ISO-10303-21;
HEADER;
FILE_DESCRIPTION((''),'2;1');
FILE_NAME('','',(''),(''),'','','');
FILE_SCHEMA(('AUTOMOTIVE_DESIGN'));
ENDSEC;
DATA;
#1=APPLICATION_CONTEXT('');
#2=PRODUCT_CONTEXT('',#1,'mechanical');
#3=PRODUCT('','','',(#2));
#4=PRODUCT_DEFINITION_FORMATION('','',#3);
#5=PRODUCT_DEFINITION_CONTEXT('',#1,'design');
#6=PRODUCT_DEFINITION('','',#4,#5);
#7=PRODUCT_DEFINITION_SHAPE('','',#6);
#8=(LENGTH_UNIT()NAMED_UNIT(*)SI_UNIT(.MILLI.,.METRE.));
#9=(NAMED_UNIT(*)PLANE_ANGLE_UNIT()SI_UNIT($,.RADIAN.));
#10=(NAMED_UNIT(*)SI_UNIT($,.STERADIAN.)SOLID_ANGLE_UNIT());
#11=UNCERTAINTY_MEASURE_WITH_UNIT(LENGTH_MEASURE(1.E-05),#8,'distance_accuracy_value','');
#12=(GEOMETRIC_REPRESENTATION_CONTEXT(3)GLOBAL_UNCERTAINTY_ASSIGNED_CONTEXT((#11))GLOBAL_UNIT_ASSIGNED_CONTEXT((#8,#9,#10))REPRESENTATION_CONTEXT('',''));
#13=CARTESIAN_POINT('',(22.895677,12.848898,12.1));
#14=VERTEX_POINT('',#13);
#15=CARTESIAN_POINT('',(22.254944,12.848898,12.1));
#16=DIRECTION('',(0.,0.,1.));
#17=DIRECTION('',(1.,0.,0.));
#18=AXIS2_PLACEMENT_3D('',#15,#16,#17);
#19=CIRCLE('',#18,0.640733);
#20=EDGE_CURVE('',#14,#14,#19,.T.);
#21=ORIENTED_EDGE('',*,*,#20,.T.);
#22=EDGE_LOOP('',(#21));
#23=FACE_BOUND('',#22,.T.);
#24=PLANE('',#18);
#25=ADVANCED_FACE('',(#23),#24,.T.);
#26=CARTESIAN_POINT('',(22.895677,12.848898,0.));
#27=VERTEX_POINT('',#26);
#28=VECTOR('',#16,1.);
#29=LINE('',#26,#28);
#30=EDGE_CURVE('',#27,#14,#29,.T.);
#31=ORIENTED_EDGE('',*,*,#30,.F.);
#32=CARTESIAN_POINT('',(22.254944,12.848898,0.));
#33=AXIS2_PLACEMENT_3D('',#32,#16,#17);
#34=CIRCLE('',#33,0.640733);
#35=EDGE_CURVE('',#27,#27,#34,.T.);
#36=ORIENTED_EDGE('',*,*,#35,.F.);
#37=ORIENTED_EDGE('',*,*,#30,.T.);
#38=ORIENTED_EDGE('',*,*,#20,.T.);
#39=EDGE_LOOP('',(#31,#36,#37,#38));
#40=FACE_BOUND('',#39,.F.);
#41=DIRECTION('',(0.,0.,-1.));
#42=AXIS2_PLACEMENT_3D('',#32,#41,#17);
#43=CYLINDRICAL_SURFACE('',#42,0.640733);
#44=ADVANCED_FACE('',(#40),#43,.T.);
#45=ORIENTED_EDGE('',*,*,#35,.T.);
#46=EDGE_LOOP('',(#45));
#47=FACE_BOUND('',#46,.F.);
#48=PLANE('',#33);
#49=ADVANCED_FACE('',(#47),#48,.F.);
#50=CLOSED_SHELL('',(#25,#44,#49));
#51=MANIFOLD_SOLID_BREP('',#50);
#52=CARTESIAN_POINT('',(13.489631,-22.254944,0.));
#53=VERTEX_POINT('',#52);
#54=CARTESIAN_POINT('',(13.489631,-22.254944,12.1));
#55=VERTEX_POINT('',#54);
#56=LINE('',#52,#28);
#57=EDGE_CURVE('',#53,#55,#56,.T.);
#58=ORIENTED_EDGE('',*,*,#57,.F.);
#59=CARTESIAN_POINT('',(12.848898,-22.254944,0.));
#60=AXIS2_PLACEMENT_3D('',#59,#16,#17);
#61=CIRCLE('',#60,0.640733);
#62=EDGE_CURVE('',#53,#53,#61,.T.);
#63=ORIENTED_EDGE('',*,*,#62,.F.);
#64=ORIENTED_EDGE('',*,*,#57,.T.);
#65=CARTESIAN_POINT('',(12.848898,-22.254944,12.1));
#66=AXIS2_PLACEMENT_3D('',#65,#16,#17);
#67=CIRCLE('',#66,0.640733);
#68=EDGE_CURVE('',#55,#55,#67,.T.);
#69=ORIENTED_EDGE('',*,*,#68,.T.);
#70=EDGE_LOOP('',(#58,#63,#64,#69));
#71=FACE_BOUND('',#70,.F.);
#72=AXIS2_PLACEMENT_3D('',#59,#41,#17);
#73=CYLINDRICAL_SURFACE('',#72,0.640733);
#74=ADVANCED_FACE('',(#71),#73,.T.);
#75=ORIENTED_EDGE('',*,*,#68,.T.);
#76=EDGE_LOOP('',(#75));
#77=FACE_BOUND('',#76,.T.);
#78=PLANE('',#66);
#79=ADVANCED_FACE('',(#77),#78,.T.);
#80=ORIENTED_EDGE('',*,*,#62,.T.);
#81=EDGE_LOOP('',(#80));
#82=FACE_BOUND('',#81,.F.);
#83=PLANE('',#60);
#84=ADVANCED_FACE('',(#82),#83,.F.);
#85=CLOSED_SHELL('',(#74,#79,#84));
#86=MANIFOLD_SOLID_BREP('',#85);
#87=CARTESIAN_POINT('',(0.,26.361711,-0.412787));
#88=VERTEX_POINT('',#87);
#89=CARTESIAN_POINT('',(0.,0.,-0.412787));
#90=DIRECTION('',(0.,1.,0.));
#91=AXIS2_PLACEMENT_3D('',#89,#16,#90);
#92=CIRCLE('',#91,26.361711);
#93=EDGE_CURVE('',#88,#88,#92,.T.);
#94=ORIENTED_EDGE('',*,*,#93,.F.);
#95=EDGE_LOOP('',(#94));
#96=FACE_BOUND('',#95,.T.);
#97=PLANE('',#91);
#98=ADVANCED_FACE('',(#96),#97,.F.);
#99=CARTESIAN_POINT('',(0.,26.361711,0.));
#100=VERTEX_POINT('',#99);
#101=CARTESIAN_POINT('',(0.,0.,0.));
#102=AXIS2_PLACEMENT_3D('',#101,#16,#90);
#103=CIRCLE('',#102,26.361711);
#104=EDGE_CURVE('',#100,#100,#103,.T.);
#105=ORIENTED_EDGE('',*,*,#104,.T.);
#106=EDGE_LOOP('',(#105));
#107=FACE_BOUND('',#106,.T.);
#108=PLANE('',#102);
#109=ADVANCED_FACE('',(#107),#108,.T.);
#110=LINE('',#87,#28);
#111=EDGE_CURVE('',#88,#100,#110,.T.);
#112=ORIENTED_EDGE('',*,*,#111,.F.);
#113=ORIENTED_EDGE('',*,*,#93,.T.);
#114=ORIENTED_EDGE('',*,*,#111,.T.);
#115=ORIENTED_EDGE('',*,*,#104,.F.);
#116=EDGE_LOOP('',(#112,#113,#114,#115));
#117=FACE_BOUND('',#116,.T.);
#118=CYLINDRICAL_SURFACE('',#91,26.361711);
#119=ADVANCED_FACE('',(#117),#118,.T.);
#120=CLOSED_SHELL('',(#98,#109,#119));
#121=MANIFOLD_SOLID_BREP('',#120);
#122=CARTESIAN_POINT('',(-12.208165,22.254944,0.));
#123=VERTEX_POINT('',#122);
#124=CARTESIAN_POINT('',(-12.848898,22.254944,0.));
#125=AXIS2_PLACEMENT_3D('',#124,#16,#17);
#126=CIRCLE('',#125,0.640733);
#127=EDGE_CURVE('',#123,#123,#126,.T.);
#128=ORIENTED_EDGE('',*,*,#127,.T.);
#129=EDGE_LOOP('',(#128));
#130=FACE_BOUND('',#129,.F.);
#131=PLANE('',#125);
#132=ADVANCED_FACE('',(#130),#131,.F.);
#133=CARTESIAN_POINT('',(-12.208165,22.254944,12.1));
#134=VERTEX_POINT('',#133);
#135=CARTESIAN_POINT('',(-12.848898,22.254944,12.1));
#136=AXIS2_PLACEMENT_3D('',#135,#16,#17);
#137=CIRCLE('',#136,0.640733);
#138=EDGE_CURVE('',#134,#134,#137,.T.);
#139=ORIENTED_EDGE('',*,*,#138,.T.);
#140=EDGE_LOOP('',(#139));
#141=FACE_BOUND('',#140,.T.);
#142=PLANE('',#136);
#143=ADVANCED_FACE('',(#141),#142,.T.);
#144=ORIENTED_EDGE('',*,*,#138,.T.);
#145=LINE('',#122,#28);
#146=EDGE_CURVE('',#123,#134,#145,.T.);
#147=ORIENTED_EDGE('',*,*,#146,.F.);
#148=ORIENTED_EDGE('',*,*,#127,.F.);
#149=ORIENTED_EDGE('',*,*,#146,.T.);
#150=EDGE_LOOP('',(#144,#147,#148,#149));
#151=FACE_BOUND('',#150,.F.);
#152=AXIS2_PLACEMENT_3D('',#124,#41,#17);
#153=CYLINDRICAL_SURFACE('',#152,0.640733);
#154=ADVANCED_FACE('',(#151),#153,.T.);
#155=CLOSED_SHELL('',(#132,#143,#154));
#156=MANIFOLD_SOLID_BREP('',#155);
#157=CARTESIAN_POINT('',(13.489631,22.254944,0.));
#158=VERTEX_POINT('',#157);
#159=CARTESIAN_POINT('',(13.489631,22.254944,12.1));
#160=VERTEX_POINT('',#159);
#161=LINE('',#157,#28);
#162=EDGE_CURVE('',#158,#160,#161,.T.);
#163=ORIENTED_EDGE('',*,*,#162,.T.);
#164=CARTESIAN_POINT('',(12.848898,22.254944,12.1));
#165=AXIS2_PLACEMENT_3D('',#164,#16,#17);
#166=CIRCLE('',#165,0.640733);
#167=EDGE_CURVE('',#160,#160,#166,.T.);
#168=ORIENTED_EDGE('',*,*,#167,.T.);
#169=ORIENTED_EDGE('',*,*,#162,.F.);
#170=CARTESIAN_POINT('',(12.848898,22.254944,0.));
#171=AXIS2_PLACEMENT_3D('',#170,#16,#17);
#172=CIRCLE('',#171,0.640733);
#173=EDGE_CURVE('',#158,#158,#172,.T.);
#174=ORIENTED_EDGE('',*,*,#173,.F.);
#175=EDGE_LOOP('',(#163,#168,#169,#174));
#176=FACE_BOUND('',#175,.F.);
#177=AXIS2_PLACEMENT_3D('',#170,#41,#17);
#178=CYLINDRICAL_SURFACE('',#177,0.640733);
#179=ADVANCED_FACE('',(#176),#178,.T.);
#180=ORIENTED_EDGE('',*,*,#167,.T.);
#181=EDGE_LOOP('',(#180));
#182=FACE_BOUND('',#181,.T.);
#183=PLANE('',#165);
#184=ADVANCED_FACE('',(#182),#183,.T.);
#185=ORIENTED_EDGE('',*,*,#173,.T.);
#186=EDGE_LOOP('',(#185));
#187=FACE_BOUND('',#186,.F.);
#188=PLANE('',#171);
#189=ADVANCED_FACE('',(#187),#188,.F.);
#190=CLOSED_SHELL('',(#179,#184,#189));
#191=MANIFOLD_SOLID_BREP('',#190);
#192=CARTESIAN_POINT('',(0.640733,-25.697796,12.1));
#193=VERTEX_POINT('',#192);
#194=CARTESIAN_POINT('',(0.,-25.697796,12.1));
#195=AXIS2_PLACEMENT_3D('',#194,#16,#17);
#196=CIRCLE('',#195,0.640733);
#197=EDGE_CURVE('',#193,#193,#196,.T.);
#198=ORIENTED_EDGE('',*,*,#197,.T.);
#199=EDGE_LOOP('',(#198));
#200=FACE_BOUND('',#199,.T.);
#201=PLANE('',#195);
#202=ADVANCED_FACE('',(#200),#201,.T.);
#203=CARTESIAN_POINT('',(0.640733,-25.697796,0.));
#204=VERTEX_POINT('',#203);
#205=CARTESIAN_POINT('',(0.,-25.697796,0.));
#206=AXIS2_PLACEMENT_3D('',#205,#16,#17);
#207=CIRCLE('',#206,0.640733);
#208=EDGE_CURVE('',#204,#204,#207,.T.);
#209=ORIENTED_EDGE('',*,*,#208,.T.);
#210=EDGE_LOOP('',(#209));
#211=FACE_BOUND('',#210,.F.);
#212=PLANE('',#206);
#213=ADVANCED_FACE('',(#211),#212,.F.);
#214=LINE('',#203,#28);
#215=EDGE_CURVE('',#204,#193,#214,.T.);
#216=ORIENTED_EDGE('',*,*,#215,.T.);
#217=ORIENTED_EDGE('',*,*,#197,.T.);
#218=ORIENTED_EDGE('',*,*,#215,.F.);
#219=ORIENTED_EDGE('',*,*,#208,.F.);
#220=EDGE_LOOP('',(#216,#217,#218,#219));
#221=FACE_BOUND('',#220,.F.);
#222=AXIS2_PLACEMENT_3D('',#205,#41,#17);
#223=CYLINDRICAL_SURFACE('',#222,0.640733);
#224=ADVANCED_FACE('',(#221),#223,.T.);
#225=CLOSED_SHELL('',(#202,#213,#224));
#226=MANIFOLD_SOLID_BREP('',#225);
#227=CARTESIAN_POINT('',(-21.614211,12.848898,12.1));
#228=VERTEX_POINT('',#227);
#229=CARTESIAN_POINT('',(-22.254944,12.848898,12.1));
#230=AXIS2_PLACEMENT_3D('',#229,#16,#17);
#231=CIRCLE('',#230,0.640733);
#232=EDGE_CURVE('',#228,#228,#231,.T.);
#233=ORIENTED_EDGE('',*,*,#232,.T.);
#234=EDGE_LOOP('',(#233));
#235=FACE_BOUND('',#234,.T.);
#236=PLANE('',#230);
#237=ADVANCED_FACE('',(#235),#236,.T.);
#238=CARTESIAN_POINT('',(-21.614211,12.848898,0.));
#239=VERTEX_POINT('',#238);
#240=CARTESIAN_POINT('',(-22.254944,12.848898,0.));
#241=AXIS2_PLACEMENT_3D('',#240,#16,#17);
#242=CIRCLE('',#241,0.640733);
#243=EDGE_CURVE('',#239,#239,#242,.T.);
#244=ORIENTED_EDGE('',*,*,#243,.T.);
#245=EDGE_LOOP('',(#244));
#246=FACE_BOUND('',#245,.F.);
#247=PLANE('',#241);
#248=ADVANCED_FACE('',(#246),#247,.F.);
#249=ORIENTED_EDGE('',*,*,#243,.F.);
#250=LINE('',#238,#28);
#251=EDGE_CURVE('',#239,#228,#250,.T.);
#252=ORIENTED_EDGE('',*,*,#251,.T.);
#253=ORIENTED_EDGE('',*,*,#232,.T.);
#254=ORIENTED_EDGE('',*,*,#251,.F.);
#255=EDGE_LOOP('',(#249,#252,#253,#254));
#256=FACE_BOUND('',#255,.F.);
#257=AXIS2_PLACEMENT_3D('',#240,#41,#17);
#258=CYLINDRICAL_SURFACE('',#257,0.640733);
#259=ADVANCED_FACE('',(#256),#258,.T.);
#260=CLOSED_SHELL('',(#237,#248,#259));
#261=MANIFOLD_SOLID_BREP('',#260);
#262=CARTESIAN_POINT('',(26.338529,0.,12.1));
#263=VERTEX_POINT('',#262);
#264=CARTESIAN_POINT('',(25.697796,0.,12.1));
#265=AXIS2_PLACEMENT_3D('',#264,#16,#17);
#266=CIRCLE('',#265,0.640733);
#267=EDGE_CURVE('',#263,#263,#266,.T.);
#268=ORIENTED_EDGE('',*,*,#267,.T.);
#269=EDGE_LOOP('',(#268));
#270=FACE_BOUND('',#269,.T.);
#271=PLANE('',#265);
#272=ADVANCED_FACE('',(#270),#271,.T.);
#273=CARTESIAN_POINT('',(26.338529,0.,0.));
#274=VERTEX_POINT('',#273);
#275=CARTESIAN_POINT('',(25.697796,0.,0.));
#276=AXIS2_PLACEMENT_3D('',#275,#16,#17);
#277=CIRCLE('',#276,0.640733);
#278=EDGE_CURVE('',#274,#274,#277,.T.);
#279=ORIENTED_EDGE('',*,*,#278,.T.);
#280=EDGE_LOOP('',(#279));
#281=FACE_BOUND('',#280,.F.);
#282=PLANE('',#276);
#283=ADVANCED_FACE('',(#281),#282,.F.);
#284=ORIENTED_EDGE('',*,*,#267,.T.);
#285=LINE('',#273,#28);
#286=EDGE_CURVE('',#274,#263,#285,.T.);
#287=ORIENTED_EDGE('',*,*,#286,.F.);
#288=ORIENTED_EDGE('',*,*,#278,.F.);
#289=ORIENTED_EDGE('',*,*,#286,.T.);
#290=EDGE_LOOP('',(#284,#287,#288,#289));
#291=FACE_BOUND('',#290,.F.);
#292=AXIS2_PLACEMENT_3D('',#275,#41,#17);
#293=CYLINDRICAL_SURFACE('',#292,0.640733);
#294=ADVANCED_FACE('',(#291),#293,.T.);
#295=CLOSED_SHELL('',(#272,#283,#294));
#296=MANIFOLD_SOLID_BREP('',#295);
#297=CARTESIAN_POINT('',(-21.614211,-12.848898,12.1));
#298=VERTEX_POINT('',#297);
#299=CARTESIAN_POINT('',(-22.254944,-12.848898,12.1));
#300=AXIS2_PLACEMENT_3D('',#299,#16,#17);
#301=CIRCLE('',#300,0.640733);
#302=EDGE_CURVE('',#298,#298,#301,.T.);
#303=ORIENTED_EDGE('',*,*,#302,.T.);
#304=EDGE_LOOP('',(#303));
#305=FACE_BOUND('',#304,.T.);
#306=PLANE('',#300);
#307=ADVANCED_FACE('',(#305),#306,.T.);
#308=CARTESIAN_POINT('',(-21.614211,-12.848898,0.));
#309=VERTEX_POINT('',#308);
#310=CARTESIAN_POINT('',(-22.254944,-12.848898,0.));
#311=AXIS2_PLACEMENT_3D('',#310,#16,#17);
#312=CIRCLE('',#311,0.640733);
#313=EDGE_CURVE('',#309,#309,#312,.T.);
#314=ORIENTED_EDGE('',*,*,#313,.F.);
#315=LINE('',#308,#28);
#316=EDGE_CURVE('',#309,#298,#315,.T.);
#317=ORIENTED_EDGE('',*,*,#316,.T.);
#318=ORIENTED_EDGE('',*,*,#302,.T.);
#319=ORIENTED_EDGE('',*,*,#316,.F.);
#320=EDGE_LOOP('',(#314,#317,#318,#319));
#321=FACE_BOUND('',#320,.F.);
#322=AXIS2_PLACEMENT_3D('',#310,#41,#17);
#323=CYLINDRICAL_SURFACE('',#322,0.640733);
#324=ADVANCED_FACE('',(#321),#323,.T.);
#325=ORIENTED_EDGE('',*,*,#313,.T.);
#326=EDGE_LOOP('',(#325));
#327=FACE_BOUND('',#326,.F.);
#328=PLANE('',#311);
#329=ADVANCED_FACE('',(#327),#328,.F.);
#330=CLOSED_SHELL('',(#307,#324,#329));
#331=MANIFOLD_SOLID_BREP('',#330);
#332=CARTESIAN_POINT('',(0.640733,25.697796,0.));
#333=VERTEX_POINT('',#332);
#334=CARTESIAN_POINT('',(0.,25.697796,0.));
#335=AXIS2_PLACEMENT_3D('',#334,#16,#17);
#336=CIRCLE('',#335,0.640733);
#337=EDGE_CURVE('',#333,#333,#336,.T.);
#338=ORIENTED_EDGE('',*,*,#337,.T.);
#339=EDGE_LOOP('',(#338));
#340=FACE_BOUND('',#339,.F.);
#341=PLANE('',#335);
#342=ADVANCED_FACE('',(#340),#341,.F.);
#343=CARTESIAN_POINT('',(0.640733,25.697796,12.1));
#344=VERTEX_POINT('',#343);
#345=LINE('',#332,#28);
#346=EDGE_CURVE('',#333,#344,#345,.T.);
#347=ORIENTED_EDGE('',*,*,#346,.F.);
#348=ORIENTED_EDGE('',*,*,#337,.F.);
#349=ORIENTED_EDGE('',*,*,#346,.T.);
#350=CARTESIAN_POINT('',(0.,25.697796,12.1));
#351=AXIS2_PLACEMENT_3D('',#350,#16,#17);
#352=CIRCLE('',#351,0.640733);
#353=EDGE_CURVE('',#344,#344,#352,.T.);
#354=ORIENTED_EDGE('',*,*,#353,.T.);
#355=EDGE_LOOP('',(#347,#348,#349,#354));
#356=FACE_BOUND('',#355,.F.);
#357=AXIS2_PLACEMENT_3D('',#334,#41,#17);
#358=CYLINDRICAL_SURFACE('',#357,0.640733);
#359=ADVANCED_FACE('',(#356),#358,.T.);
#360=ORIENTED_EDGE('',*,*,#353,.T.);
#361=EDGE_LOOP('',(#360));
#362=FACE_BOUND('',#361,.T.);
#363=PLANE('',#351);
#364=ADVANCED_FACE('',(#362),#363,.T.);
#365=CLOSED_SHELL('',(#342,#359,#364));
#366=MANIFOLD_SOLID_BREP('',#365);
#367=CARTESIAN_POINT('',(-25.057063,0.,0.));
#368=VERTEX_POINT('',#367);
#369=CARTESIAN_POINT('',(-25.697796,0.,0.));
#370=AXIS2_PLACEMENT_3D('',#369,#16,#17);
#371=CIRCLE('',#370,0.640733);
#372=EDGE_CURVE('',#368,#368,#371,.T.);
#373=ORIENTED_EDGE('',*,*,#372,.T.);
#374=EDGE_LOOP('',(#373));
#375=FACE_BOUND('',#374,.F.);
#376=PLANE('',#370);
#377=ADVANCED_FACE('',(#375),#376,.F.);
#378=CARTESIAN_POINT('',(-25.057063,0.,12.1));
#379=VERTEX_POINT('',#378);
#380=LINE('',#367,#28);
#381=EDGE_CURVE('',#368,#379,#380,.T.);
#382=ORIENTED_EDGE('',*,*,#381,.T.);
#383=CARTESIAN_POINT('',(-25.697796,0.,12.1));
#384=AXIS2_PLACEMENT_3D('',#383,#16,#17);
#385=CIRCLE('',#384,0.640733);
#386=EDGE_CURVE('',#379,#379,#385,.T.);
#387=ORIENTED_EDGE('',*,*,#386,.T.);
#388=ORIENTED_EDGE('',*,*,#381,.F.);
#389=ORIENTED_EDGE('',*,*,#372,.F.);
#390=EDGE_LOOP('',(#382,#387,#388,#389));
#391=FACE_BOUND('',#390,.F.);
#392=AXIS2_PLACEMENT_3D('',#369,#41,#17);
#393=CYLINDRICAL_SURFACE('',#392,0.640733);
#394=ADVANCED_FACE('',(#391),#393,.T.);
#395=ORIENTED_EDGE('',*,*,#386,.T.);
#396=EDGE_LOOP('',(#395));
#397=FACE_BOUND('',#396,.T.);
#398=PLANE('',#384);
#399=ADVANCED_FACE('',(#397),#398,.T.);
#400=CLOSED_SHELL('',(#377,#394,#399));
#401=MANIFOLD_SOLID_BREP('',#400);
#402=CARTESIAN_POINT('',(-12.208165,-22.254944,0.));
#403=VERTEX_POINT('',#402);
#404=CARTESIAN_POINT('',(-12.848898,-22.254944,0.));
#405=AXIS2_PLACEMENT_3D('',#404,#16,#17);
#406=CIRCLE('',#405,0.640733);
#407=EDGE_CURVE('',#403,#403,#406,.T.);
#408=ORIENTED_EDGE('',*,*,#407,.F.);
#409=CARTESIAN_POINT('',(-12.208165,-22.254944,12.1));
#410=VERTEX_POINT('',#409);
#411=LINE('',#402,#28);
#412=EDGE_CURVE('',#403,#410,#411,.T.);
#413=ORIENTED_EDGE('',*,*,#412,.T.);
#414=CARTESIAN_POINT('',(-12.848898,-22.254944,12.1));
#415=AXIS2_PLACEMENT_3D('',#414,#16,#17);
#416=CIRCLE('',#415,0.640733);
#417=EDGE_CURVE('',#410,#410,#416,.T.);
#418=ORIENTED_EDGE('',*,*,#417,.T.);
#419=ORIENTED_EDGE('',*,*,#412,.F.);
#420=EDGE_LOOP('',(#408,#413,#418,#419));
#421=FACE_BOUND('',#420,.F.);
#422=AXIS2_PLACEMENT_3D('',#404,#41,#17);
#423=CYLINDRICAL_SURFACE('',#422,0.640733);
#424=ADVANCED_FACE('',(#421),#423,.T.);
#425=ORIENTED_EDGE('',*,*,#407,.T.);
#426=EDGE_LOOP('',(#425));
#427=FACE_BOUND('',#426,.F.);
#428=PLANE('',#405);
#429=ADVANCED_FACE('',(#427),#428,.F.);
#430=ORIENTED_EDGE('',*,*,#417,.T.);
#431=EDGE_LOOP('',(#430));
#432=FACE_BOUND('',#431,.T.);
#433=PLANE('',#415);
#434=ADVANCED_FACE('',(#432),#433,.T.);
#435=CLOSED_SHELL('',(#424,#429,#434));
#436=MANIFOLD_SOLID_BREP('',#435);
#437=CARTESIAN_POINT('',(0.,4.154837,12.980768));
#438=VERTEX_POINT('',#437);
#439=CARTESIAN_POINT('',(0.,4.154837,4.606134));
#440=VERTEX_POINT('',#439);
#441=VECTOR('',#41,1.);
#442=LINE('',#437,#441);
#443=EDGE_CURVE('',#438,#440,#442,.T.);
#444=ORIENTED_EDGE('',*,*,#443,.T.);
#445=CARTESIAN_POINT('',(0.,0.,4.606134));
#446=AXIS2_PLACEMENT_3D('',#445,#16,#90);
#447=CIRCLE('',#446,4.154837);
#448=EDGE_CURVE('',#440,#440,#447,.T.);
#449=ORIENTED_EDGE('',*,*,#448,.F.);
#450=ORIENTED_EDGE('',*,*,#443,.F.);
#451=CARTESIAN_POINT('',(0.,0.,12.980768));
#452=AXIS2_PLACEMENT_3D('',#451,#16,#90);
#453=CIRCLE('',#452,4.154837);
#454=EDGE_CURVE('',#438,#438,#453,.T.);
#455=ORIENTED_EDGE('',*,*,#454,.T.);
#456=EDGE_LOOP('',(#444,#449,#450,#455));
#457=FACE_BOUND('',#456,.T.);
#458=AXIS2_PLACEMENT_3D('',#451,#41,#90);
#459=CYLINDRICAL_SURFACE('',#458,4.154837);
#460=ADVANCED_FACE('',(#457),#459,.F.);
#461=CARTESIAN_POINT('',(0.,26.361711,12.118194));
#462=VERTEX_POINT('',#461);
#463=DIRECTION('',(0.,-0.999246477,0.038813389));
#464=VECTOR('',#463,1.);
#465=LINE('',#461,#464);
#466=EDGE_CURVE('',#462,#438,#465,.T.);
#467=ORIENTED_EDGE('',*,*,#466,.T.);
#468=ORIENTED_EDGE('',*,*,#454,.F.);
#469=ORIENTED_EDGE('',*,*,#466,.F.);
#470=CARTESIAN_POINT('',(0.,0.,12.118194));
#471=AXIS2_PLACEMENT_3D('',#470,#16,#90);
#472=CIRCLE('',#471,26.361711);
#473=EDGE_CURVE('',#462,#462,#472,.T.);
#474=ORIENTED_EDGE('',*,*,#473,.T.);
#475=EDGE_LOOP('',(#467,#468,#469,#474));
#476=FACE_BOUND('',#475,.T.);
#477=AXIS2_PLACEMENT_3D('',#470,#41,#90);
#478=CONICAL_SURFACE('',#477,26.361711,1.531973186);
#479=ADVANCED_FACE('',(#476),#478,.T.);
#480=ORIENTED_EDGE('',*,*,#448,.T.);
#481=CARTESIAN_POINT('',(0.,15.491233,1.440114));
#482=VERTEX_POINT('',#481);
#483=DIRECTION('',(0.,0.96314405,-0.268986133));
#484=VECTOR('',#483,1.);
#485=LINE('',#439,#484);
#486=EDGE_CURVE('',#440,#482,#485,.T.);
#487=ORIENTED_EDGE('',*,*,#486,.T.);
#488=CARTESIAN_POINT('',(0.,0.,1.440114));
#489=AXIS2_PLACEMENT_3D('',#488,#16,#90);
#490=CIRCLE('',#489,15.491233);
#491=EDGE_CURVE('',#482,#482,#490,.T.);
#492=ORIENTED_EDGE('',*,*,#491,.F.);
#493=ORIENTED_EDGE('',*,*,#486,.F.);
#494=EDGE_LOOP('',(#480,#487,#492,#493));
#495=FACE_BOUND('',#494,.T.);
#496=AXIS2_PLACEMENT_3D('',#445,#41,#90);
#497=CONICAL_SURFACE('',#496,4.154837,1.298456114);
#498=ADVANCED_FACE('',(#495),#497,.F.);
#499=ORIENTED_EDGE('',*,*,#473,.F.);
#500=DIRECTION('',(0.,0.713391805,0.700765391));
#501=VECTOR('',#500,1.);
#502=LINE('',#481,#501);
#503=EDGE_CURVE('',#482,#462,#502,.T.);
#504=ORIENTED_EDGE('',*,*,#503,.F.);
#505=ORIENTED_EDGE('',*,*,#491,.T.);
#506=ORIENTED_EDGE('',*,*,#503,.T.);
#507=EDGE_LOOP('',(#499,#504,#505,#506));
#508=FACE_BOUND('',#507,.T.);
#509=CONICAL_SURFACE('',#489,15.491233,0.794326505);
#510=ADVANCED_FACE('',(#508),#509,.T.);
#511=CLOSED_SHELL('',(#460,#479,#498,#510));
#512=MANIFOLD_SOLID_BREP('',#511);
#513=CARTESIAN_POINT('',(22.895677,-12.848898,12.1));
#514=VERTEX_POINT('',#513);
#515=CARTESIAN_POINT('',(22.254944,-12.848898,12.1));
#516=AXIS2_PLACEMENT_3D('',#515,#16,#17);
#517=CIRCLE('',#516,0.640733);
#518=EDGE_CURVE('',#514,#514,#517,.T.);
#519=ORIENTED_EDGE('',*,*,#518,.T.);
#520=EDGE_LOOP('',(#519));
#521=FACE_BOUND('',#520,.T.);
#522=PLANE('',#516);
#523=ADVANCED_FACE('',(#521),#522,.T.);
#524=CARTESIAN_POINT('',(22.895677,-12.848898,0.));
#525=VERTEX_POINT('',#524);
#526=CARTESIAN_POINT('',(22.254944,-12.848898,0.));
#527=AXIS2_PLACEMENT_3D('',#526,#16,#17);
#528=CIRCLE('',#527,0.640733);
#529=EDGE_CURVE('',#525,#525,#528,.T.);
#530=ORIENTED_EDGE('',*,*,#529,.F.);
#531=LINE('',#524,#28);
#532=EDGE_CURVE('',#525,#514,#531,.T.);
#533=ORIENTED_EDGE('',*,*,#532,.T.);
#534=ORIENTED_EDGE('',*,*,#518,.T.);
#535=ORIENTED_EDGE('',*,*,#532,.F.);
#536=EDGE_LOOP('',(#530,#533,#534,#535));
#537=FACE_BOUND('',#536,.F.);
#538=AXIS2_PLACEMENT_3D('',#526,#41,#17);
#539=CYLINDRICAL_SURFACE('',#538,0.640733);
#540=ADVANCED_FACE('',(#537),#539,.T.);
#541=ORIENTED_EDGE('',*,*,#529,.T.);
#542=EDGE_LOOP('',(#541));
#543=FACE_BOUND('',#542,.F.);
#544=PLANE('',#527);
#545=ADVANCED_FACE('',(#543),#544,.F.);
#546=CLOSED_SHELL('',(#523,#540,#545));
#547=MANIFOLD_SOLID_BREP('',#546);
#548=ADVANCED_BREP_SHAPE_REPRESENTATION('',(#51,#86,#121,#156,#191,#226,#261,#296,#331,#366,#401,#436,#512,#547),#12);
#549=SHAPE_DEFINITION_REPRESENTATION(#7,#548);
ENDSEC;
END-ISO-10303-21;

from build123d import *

# Parameters (mm, degrees)
F2_R     = 0.640733
F3_DEPTH = 12.1


with BuildPart() as f1:
    # F0 (on Right) → F1 (revolve)
    with BuildSketch(Plane.YZ):
        Polygon((4.154837, 12.980768), (4.154837, 4.606134), (15.491233, 1.440114), (26.361711, 12.118194), align=None)
        Polygon((15.491233, 0), (0, 0), (0, -0.412787), (26.361711, -0.412787), (26.361711, 0), align=None)
    revolve(axis=Axis((0, 0, 2.303067), (0, 0, 1)))


with BuildPart() as f3:
    # F2 (on Top) → F3 (new body)
    with BuildSketch(Plane.XY):
        with Locations((0, 25.697796)):
            Circle(F2_R)
        with Locations((-12.848898, 22.254944)):
            Circle(F2_R)
        with Locations((-22.254944, 12.848898)):
            Circle(F2_R)
        with Locations((-25.697796, 0)):
            Circle(F2_R)
        with Locations((-22.254944, -12.848898)):
            Circle(F2_R)
        with Locations((-12.848898, -22.254944)):
            Circle(F2_R)
        with Locations((0, -25.697796)):
            Circle(F2_R)
        with Locations((12.848898, -22.254944)):
            Circle(F2_R)
        with Locations((22.254944, -12.848898)):
            Circle(F2_R)
        with Locations((25.697796, 0)):
            Circle(F2_R)
        with Locations((22.254944, 12.848898)):
            Circle(F2_R)
        with Locations((12.848898, 22.254944)):
            Circle(F2_R)
    extrude(amount=F3_DEPTH)


solid = Compound([f1.part, f3.part])
